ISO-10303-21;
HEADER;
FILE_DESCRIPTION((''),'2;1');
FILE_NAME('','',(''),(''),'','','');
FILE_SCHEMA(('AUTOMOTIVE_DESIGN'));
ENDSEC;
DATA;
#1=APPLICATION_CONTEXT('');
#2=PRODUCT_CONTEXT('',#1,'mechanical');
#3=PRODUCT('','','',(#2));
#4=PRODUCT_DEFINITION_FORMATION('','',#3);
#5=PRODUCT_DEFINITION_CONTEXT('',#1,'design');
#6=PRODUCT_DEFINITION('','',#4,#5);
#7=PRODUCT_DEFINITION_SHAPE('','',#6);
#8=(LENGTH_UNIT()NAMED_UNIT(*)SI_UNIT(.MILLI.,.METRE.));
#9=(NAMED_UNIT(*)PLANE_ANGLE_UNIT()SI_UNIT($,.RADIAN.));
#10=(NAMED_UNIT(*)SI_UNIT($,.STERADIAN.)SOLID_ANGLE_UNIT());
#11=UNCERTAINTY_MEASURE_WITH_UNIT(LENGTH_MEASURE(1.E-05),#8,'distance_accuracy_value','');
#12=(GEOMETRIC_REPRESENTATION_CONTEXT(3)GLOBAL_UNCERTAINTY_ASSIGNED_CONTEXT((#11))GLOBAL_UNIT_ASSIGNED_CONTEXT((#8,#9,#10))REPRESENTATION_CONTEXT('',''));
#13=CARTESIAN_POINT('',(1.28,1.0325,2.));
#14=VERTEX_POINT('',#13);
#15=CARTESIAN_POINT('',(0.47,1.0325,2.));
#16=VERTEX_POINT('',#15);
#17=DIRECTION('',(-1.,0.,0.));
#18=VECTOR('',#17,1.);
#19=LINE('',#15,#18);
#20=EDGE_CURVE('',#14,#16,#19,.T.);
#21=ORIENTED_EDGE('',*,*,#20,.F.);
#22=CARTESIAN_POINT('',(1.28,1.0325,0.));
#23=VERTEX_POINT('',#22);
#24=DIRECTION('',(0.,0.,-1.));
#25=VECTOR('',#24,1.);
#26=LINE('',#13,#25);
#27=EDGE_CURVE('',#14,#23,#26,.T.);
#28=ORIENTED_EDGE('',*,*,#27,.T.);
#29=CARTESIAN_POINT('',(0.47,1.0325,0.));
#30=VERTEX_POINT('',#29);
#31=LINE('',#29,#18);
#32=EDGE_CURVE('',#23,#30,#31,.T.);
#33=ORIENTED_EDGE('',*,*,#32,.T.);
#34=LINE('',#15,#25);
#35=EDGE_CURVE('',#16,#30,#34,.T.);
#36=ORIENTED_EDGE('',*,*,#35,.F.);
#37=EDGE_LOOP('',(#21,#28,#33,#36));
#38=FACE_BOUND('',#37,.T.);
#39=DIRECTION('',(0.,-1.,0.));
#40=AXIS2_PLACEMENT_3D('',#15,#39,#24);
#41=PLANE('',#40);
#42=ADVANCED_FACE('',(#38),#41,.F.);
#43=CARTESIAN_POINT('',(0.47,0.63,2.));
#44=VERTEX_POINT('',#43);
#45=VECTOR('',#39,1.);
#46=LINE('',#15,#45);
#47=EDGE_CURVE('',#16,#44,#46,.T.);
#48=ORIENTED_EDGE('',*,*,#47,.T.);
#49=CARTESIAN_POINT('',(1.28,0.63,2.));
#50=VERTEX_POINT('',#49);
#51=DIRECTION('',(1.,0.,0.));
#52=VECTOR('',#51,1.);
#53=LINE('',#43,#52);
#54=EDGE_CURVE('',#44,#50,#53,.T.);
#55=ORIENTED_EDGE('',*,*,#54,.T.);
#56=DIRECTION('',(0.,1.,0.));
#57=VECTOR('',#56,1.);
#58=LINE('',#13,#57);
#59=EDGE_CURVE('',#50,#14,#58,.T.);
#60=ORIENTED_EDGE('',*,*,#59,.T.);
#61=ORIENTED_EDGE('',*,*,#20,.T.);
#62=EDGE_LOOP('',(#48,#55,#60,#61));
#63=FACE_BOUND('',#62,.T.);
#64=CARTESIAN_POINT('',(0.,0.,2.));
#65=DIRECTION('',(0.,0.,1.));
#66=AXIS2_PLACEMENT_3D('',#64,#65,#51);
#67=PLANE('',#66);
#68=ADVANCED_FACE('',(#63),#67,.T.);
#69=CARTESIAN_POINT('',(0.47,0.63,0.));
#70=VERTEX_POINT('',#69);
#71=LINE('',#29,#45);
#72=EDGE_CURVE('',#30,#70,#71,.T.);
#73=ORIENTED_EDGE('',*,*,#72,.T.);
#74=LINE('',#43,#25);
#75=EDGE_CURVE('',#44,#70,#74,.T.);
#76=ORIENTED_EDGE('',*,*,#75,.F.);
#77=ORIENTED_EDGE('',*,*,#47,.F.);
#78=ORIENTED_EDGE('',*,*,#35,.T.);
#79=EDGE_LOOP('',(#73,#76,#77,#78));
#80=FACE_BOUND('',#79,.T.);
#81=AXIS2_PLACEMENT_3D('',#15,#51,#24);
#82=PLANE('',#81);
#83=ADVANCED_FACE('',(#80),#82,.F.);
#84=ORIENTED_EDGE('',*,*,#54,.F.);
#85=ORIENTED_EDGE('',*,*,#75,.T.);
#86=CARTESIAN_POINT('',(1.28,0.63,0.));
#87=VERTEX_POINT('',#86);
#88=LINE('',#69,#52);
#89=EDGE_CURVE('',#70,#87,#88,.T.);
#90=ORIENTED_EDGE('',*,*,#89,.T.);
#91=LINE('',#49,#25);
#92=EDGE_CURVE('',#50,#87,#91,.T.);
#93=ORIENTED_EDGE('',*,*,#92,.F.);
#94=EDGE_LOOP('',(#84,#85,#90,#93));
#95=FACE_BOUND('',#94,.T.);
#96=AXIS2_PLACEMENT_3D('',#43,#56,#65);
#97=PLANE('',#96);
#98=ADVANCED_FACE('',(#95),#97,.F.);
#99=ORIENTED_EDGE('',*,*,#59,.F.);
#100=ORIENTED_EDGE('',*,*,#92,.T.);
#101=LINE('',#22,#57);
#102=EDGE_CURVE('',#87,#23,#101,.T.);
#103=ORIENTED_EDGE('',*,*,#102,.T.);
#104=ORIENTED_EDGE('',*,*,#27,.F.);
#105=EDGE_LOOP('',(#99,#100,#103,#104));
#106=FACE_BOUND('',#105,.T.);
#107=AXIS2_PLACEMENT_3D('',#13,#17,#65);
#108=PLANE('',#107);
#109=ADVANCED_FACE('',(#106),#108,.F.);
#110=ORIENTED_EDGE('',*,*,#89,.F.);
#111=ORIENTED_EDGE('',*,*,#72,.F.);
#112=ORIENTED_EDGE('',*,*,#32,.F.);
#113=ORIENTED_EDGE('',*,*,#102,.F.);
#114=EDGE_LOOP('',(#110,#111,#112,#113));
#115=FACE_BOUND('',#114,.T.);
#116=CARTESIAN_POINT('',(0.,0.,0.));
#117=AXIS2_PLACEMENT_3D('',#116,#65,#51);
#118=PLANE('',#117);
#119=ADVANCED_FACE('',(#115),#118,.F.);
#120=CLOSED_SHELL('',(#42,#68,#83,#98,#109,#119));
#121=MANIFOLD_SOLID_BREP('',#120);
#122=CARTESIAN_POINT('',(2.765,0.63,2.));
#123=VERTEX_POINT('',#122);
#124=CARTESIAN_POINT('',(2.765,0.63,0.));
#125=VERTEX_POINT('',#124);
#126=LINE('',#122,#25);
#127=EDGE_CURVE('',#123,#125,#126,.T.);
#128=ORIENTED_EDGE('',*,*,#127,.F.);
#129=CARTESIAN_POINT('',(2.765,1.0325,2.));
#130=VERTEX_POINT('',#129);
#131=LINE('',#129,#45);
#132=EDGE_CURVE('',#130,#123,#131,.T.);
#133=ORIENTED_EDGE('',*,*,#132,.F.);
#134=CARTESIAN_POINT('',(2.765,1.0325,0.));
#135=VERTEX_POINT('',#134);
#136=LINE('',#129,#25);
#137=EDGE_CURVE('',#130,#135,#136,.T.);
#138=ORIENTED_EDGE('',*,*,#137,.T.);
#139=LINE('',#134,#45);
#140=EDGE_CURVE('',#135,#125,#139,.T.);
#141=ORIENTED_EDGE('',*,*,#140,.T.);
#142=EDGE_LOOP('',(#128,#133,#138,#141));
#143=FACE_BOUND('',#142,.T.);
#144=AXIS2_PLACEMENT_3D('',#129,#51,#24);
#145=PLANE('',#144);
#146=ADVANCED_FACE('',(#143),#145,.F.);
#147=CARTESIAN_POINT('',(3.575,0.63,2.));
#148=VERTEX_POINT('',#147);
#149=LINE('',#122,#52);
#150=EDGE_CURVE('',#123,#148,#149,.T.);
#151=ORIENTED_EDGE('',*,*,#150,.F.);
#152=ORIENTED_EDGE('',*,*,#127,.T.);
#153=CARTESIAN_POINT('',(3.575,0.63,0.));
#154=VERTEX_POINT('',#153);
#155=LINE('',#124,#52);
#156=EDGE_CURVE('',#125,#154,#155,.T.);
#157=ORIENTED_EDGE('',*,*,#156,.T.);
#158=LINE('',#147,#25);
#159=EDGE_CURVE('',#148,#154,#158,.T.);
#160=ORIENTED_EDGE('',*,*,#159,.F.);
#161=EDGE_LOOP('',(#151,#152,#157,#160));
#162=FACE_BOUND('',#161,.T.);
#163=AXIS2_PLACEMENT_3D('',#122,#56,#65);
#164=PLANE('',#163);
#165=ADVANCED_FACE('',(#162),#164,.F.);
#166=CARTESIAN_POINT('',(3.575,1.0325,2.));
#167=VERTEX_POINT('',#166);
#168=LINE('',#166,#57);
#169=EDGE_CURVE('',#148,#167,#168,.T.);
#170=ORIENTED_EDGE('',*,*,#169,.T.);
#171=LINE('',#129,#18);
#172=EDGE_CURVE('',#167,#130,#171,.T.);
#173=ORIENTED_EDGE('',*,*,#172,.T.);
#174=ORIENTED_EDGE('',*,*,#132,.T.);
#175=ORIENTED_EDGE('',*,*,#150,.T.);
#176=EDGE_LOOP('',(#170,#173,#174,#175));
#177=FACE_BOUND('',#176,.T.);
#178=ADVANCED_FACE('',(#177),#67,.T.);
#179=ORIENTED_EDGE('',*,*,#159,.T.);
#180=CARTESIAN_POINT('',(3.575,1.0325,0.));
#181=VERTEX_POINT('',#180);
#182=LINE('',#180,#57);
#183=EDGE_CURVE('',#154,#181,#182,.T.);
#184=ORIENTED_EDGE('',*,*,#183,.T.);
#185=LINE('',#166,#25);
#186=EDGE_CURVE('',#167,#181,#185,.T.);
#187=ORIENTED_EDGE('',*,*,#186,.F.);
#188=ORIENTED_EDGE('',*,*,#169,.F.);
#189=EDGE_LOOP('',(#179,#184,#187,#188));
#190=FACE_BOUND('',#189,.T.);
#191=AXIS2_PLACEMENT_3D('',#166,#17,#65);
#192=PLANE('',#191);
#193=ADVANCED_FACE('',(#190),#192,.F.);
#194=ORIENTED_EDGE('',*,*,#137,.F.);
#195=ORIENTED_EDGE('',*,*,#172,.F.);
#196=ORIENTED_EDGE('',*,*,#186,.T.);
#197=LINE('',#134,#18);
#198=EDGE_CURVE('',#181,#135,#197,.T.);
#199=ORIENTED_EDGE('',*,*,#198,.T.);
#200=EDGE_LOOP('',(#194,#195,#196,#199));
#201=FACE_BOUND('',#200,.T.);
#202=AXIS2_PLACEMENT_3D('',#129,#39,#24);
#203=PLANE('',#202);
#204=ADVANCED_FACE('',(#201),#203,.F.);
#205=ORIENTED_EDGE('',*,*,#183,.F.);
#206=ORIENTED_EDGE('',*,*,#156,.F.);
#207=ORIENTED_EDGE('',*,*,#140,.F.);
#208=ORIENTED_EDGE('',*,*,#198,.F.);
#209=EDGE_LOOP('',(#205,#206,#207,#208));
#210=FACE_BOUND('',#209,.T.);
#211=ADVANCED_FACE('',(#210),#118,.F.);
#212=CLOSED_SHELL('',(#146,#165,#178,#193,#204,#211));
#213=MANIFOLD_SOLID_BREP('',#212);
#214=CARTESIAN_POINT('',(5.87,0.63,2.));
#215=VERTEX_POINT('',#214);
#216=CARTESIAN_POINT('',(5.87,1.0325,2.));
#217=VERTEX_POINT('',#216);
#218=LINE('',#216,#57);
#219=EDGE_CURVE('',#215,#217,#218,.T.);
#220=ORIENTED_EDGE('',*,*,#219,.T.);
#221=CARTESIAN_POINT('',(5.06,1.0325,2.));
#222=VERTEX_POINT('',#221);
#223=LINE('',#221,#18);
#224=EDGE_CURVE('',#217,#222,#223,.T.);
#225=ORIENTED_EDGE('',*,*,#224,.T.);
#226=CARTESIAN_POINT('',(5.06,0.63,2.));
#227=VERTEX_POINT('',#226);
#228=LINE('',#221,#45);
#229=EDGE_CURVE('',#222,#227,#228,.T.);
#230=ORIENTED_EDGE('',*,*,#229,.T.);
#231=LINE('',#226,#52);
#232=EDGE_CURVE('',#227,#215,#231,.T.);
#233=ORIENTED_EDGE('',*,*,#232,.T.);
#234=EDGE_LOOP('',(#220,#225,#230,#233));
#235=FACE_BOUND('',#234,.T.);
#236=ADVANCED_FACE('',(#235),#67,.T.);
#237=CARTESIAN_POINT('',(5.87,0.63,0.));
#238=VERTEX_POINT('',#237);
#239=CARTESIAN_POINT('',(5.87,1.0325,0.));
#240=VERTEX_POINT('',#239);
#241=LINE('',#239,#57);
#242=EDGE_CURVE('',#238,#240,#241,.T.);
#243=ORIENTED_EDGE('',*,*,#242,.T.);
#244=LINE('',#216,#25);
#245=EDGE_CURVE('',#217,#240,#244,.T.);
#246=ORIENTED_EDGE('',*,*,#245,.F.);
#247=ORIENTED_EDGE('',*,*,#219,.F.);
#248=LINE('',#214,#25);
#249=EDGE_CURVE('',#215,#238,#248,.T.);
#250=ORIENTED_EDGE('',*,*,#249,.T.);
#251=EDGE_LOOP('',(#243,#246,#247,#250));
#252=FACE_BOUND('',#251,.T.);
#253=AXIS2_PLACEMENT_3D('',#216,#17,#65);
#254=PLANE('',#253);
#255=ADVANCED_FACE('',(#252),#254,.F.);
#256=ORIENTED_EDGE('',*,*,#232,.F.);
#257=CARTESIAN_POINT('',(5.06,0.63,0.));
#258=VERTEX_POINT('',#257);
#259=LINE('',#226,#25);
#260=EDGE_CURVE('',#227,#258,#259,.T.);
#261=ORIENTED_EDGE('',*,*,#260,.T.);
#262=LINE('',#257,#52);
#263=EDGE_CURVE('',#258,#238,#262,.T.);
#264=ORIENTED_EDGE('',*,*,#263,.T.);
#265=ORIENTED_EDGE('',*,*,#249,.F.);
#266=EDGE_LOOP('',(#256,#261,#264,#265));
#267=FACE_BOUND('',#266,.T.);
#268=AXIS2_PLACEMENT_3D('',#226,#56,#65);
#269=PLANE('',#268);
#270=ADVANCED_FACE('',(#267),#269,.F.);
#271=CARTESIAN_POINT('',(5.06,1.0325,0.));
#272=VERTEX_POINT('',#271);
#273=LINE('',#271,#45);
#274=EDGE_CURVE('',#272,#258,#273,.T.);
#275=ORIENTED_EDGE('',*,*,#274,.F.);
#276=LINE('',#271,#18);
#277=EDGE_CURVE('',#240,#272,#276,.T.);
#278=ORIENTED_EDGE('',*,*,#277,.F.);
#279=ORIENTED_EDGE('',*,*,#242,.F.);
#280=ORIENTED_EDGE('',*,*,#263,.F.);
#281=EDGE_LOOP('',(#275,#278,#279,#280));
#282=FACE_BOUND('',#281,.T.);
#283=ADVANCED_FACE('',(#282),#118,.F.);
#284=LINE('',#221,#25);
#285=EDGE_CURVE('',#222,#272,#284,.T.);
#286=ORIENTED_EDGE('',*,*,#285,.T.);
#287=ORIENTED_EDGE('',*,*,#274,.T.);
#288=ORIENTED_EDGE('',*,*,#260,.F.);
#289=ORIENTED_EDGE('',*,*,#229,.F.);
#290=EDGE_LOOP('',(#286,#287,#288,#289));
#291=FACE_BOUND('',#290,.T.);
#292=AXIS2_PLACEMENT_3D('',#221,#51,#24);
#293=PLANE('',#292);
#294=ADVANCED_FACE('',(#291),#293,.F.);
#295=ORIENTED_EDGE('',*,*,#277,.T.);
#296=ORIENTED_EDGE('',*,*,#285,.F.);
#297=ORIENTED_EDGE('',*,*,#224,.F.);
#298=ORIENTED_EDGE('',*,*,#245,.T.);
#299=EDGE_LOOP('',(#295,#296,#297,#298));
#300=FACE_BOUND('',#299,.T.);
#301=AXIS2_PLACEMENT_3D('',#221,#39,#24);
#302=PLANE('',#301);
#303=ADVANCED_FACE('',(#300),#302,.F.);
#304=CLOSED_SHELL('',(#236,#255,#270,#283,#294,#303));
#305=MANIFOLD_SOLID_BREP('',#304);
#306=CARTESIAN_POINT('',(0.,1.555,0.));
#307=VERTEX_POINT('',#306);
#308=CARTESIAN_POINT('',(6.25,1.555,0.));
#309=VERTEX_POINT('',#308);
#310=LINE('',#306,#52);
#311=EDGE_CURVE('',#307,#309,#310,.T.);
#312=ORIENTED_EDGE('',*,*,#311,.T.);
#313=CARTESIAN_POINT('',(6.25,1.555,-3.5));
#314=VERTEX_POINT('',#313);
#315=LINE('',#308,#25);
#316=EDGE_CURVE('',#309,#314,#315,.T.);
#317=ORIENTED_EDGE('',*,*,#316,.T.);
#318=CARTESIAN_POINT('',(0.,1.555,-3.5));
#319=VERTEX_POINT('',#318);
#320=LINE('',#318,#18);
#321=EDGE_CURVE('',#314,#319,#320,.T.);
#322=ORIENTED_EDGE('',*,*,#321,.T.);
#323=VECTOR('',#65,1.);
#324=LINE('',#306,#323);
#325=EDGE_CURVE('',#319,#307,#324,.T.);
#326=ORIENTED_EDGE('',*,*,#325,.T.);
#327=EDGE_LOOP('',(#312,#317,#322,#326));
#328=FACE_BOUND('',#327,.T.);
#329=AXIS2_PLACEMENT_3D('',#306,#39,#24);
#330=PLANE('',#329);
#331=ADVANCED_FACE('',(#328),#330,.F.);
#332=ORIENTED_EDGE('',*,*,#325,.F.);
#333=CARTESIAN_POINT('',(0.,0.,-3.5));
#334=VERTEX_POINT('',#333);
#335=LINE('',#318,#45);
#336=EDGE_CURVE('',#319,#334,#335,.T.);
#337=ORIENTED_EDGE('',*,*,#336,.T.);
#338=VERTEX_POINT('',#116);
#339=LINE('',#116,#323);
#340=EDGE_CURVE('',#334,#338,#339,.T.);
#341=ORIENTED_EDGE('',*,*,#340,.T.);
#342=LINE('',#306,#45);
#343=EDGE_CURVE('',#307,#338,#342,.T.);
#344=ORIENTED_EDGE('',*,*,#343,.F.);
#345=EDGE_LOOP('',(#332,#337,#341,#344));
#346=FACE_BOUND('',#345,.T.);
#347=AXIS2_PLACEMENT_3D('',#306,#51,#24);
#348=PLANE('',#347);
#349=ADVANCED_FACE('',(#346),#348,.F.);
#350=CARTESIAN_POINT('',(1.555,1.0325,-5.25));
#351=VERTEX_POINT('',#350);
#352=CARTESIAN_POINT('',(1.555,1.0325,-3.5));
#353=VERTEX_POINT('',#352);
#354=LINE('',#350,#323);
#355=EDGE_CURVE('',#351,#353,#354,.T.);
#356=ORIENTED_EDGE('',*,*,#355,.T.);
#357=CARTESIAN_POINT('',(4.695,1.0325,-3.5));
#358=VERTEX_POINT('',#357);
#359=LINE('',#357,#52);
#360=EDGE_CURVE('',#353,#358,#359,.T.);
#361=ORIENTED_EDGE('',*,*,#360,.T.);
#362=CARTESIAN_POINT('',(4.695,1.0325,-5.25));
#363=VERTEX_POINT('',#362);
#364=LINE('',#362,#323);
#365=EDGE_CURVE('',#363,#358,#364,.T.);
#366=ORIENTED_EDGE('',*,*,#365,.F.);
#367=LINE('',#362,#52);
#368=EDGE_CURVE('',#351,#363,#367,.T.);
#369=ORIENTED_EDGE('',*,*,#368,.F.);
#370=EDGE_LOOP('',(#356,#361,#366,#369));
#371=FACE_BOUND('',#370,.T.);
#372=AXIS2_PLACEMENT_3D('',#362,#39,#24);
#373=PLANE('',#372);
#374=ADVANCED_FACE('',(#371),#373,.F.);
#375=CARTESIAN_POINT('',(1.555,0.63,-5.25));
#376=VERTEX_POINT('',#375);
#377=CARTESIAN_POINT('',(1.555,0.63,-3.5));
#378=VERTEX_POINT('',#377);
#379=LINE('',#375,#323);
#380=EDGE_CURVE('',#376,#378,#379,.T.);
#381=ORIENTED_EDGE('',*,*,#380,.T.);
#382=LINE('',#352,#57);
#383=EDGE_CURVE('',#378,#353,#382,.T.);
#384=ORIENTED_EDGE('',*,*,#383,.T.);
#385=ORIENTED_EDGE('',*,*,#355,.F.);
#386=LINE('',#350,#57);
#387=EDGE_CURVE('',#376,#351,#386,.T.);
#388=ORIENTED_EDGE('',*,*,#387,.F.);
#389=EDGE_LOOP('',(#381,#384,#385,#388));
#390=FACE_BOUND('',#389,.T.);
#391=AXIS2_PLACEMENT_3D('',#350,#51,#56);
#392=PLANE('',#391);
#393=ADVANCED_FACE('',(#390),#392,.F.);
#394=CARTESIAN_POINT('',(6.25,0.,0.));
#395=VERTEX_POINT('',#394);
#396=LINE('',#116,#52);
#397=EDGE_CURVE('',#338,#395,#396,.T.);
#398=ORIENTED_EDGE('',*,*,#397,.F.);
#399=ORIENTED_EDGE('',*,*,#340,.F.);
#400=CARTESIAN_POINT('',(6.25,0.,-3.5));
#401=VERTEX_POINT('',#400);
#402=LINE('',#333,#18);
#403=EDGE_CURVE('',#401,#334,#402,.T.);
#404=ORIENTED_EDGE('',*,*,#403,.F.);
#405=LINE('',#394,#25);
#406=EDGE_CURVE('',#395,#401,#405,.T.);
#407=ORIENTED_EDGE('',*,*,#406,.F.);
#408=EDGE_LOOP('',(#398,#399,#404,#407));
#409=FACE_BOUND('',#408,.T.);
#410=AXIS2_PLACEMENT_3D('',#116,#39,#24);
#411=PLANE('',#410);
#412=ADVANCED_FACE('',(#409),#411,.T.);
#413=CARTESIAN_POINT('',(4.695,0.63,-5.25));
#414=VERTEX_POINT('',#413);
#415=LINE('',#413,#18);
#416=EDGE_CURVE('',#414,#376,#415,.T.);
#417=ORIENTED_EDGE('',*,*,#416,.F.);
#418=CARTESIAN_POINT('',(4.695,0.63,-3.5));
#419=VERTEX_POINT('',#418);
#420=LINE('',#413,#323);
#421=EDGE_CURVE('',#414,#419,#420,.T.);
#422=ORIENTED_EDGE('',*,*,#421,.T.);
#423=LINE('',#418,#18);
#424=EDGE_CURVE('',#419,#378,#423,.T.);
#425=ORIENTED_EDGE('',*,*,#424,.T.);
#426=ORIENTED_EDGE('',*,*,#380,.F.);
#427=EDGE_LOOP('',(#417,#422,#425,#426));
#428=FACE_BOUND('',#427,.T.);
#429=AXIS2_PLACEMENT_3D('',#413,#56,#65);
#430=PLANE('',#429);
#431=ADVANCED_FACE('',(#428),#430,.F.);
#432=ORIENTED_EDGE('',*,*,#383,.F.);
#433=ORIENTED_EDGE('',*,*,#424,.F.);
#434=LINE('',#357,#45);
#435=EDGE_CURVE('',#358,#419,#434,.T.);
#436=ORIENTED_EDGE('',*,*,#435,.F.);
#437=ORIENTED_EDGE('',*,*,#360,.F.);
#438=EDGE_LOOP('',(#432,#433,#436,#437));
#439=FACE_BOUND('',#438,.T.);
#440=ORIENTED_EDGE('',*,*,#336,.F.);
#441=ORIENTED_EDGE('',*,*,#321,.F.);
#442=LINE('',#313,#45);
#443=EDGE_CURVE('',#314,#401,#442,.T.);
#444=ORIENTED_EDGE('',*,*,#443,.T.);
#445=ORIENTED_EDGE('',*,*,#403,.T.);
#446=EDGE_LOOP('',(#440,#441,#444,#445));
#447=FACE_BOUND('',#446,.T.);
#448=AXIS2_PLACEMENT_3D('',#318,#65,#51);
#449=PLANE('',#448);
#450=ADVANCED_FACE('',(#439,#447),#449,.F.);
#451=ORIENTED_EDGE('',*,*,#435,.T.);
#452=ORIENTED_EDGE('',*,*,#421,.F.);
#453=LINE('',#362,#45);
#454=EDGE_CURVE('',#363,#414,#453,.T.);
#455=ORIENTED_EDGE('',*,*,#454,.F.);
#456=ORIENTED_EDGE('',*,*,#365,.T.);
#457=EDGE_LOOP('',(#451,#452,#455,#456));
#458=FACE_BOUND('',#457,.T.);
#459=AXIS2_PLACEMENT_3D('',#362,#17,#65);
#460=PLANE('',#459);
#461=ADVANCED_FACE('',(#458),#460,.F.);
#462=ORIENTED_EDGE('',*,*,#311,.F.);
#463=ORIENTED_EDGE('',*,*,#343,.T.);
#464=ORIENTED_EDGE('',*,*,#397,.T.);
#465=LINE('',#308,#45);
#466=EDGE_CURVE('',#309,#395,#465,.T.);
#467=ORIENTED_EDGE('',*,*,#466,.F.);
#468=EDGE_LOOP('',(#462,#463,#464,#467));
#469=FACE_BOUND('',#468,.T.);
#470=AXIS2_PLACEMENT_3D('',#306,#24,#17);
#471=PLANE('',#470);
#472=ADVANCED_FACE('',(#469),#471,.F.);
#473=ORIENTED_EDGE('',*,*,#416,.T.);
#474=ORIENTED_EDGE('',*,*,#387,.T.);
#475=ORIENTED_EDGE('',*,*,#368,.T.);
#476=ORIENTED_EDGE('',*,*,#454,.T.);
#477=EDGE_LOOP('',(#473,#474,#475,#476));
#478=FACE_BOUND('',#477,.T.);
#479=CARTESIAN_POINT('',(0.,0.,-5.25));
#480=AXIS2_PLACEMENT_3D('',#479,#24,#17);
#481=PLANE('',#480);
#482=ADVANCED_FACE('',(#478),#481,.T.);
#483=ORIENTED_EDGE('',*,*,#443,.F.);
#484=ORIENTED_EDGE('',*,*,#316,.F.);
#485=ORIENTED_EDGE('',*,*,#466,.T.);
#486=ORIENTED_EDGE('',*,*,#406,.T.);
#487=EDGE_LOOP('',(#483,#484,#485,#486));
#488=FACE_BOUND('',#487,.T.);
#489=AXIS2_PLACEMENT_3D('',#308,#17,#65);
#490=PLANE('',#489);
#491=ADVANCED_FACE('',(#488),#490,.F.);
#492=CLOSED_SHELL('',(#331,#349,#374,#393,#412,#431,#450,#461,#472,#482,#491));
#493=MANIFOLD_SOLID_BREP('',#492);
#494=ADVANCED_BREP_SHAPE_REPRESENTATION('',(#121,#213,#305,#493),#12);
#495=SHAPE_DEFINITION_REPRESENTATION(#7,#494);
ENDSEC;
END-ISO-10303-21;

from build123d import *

# Parameters (mm, degrees)
SKETCH1_W             = 6.25
SKETCH1_H             = 3.5
BOSS_EXTRUDE1_DEPTH   = 1.555
SKETCH2_W             = 0.81
SKETCH2_H             = 0.4025
BOSS_EXTRUDE8_DEPTH   = 2
BOSS_EXTRUDE8_2_DEPTH = 2
BOSS_EXTRUDE8_3_DEPTH = 2
SKETCH7_W             = 3.14
SKETCH7_H             = 0.4025
BOSS_EXTRUDE9_DEPTH   = 1.75


with BuildPart() as part:
    # Sketch1 → Boss-Extrude1 (new body)
    with BuildSketch(Plane(origin=(0, 0, 0), x_dir=(1, 0, 0), z_dir=(0, 1, 0))):
        with Locations((3.125, 1.75)):
            Rectangle(SKETCH1_W, SKETCH1_H)
    extrude(amount=BOSS_EXTRUDE1_DEPTH)

    # Sketch7 → Boss-Extrude9 (add)
    with BuildSketch(Plane(origin=(0, 0, -3.5), x_dir=(-1, 0, 0), z_dir=(0, 0, -1))):
        with Locations((-3.125, 0.83125)):
            Rectangle(SKETCH7_W, SKETCH7_H)
    extrude(amount=BOSS_EXTRUDE9_DEPTH)


with BuildPart() as body_2:
    # Sketch2 → Boss-Extrude8 (new body)
    with BuildSketch(Plane.XY):
        with Locations((0.875, 0.83125)):
            Rectangle(SKETCH2_W, SKETCH2_H)
    extrude(amount=BOSS_EXTRUDE8_DEPTH)


with BuildPart() as body_3:
    # Sketch2 → Boss-Extrude8 2 (new body)
    with BuildSketch(Plane.XY):
        with Locations((3.17, 0.83125)):
            Rectangle(SKETCH2_W, SKETCH2_H)
    extrude(amount=BOSS_EXTRUDE8_2_DEPTH)


with BuildPart() as body_4:
    # Sketch2 → Boss-Extrude8 3 (new body)
    with BuildSketch(Plane.XY):
        with Locations((5.465, 0.83125)):
            Rectangle(SKETCH2_W, SKETCH2_H)
    extrude(amount=BOSS_EXTRUDE8_3_DEPTH)


solid = Compound([part.part, body_2.part, body_3.part, body_4.part])
